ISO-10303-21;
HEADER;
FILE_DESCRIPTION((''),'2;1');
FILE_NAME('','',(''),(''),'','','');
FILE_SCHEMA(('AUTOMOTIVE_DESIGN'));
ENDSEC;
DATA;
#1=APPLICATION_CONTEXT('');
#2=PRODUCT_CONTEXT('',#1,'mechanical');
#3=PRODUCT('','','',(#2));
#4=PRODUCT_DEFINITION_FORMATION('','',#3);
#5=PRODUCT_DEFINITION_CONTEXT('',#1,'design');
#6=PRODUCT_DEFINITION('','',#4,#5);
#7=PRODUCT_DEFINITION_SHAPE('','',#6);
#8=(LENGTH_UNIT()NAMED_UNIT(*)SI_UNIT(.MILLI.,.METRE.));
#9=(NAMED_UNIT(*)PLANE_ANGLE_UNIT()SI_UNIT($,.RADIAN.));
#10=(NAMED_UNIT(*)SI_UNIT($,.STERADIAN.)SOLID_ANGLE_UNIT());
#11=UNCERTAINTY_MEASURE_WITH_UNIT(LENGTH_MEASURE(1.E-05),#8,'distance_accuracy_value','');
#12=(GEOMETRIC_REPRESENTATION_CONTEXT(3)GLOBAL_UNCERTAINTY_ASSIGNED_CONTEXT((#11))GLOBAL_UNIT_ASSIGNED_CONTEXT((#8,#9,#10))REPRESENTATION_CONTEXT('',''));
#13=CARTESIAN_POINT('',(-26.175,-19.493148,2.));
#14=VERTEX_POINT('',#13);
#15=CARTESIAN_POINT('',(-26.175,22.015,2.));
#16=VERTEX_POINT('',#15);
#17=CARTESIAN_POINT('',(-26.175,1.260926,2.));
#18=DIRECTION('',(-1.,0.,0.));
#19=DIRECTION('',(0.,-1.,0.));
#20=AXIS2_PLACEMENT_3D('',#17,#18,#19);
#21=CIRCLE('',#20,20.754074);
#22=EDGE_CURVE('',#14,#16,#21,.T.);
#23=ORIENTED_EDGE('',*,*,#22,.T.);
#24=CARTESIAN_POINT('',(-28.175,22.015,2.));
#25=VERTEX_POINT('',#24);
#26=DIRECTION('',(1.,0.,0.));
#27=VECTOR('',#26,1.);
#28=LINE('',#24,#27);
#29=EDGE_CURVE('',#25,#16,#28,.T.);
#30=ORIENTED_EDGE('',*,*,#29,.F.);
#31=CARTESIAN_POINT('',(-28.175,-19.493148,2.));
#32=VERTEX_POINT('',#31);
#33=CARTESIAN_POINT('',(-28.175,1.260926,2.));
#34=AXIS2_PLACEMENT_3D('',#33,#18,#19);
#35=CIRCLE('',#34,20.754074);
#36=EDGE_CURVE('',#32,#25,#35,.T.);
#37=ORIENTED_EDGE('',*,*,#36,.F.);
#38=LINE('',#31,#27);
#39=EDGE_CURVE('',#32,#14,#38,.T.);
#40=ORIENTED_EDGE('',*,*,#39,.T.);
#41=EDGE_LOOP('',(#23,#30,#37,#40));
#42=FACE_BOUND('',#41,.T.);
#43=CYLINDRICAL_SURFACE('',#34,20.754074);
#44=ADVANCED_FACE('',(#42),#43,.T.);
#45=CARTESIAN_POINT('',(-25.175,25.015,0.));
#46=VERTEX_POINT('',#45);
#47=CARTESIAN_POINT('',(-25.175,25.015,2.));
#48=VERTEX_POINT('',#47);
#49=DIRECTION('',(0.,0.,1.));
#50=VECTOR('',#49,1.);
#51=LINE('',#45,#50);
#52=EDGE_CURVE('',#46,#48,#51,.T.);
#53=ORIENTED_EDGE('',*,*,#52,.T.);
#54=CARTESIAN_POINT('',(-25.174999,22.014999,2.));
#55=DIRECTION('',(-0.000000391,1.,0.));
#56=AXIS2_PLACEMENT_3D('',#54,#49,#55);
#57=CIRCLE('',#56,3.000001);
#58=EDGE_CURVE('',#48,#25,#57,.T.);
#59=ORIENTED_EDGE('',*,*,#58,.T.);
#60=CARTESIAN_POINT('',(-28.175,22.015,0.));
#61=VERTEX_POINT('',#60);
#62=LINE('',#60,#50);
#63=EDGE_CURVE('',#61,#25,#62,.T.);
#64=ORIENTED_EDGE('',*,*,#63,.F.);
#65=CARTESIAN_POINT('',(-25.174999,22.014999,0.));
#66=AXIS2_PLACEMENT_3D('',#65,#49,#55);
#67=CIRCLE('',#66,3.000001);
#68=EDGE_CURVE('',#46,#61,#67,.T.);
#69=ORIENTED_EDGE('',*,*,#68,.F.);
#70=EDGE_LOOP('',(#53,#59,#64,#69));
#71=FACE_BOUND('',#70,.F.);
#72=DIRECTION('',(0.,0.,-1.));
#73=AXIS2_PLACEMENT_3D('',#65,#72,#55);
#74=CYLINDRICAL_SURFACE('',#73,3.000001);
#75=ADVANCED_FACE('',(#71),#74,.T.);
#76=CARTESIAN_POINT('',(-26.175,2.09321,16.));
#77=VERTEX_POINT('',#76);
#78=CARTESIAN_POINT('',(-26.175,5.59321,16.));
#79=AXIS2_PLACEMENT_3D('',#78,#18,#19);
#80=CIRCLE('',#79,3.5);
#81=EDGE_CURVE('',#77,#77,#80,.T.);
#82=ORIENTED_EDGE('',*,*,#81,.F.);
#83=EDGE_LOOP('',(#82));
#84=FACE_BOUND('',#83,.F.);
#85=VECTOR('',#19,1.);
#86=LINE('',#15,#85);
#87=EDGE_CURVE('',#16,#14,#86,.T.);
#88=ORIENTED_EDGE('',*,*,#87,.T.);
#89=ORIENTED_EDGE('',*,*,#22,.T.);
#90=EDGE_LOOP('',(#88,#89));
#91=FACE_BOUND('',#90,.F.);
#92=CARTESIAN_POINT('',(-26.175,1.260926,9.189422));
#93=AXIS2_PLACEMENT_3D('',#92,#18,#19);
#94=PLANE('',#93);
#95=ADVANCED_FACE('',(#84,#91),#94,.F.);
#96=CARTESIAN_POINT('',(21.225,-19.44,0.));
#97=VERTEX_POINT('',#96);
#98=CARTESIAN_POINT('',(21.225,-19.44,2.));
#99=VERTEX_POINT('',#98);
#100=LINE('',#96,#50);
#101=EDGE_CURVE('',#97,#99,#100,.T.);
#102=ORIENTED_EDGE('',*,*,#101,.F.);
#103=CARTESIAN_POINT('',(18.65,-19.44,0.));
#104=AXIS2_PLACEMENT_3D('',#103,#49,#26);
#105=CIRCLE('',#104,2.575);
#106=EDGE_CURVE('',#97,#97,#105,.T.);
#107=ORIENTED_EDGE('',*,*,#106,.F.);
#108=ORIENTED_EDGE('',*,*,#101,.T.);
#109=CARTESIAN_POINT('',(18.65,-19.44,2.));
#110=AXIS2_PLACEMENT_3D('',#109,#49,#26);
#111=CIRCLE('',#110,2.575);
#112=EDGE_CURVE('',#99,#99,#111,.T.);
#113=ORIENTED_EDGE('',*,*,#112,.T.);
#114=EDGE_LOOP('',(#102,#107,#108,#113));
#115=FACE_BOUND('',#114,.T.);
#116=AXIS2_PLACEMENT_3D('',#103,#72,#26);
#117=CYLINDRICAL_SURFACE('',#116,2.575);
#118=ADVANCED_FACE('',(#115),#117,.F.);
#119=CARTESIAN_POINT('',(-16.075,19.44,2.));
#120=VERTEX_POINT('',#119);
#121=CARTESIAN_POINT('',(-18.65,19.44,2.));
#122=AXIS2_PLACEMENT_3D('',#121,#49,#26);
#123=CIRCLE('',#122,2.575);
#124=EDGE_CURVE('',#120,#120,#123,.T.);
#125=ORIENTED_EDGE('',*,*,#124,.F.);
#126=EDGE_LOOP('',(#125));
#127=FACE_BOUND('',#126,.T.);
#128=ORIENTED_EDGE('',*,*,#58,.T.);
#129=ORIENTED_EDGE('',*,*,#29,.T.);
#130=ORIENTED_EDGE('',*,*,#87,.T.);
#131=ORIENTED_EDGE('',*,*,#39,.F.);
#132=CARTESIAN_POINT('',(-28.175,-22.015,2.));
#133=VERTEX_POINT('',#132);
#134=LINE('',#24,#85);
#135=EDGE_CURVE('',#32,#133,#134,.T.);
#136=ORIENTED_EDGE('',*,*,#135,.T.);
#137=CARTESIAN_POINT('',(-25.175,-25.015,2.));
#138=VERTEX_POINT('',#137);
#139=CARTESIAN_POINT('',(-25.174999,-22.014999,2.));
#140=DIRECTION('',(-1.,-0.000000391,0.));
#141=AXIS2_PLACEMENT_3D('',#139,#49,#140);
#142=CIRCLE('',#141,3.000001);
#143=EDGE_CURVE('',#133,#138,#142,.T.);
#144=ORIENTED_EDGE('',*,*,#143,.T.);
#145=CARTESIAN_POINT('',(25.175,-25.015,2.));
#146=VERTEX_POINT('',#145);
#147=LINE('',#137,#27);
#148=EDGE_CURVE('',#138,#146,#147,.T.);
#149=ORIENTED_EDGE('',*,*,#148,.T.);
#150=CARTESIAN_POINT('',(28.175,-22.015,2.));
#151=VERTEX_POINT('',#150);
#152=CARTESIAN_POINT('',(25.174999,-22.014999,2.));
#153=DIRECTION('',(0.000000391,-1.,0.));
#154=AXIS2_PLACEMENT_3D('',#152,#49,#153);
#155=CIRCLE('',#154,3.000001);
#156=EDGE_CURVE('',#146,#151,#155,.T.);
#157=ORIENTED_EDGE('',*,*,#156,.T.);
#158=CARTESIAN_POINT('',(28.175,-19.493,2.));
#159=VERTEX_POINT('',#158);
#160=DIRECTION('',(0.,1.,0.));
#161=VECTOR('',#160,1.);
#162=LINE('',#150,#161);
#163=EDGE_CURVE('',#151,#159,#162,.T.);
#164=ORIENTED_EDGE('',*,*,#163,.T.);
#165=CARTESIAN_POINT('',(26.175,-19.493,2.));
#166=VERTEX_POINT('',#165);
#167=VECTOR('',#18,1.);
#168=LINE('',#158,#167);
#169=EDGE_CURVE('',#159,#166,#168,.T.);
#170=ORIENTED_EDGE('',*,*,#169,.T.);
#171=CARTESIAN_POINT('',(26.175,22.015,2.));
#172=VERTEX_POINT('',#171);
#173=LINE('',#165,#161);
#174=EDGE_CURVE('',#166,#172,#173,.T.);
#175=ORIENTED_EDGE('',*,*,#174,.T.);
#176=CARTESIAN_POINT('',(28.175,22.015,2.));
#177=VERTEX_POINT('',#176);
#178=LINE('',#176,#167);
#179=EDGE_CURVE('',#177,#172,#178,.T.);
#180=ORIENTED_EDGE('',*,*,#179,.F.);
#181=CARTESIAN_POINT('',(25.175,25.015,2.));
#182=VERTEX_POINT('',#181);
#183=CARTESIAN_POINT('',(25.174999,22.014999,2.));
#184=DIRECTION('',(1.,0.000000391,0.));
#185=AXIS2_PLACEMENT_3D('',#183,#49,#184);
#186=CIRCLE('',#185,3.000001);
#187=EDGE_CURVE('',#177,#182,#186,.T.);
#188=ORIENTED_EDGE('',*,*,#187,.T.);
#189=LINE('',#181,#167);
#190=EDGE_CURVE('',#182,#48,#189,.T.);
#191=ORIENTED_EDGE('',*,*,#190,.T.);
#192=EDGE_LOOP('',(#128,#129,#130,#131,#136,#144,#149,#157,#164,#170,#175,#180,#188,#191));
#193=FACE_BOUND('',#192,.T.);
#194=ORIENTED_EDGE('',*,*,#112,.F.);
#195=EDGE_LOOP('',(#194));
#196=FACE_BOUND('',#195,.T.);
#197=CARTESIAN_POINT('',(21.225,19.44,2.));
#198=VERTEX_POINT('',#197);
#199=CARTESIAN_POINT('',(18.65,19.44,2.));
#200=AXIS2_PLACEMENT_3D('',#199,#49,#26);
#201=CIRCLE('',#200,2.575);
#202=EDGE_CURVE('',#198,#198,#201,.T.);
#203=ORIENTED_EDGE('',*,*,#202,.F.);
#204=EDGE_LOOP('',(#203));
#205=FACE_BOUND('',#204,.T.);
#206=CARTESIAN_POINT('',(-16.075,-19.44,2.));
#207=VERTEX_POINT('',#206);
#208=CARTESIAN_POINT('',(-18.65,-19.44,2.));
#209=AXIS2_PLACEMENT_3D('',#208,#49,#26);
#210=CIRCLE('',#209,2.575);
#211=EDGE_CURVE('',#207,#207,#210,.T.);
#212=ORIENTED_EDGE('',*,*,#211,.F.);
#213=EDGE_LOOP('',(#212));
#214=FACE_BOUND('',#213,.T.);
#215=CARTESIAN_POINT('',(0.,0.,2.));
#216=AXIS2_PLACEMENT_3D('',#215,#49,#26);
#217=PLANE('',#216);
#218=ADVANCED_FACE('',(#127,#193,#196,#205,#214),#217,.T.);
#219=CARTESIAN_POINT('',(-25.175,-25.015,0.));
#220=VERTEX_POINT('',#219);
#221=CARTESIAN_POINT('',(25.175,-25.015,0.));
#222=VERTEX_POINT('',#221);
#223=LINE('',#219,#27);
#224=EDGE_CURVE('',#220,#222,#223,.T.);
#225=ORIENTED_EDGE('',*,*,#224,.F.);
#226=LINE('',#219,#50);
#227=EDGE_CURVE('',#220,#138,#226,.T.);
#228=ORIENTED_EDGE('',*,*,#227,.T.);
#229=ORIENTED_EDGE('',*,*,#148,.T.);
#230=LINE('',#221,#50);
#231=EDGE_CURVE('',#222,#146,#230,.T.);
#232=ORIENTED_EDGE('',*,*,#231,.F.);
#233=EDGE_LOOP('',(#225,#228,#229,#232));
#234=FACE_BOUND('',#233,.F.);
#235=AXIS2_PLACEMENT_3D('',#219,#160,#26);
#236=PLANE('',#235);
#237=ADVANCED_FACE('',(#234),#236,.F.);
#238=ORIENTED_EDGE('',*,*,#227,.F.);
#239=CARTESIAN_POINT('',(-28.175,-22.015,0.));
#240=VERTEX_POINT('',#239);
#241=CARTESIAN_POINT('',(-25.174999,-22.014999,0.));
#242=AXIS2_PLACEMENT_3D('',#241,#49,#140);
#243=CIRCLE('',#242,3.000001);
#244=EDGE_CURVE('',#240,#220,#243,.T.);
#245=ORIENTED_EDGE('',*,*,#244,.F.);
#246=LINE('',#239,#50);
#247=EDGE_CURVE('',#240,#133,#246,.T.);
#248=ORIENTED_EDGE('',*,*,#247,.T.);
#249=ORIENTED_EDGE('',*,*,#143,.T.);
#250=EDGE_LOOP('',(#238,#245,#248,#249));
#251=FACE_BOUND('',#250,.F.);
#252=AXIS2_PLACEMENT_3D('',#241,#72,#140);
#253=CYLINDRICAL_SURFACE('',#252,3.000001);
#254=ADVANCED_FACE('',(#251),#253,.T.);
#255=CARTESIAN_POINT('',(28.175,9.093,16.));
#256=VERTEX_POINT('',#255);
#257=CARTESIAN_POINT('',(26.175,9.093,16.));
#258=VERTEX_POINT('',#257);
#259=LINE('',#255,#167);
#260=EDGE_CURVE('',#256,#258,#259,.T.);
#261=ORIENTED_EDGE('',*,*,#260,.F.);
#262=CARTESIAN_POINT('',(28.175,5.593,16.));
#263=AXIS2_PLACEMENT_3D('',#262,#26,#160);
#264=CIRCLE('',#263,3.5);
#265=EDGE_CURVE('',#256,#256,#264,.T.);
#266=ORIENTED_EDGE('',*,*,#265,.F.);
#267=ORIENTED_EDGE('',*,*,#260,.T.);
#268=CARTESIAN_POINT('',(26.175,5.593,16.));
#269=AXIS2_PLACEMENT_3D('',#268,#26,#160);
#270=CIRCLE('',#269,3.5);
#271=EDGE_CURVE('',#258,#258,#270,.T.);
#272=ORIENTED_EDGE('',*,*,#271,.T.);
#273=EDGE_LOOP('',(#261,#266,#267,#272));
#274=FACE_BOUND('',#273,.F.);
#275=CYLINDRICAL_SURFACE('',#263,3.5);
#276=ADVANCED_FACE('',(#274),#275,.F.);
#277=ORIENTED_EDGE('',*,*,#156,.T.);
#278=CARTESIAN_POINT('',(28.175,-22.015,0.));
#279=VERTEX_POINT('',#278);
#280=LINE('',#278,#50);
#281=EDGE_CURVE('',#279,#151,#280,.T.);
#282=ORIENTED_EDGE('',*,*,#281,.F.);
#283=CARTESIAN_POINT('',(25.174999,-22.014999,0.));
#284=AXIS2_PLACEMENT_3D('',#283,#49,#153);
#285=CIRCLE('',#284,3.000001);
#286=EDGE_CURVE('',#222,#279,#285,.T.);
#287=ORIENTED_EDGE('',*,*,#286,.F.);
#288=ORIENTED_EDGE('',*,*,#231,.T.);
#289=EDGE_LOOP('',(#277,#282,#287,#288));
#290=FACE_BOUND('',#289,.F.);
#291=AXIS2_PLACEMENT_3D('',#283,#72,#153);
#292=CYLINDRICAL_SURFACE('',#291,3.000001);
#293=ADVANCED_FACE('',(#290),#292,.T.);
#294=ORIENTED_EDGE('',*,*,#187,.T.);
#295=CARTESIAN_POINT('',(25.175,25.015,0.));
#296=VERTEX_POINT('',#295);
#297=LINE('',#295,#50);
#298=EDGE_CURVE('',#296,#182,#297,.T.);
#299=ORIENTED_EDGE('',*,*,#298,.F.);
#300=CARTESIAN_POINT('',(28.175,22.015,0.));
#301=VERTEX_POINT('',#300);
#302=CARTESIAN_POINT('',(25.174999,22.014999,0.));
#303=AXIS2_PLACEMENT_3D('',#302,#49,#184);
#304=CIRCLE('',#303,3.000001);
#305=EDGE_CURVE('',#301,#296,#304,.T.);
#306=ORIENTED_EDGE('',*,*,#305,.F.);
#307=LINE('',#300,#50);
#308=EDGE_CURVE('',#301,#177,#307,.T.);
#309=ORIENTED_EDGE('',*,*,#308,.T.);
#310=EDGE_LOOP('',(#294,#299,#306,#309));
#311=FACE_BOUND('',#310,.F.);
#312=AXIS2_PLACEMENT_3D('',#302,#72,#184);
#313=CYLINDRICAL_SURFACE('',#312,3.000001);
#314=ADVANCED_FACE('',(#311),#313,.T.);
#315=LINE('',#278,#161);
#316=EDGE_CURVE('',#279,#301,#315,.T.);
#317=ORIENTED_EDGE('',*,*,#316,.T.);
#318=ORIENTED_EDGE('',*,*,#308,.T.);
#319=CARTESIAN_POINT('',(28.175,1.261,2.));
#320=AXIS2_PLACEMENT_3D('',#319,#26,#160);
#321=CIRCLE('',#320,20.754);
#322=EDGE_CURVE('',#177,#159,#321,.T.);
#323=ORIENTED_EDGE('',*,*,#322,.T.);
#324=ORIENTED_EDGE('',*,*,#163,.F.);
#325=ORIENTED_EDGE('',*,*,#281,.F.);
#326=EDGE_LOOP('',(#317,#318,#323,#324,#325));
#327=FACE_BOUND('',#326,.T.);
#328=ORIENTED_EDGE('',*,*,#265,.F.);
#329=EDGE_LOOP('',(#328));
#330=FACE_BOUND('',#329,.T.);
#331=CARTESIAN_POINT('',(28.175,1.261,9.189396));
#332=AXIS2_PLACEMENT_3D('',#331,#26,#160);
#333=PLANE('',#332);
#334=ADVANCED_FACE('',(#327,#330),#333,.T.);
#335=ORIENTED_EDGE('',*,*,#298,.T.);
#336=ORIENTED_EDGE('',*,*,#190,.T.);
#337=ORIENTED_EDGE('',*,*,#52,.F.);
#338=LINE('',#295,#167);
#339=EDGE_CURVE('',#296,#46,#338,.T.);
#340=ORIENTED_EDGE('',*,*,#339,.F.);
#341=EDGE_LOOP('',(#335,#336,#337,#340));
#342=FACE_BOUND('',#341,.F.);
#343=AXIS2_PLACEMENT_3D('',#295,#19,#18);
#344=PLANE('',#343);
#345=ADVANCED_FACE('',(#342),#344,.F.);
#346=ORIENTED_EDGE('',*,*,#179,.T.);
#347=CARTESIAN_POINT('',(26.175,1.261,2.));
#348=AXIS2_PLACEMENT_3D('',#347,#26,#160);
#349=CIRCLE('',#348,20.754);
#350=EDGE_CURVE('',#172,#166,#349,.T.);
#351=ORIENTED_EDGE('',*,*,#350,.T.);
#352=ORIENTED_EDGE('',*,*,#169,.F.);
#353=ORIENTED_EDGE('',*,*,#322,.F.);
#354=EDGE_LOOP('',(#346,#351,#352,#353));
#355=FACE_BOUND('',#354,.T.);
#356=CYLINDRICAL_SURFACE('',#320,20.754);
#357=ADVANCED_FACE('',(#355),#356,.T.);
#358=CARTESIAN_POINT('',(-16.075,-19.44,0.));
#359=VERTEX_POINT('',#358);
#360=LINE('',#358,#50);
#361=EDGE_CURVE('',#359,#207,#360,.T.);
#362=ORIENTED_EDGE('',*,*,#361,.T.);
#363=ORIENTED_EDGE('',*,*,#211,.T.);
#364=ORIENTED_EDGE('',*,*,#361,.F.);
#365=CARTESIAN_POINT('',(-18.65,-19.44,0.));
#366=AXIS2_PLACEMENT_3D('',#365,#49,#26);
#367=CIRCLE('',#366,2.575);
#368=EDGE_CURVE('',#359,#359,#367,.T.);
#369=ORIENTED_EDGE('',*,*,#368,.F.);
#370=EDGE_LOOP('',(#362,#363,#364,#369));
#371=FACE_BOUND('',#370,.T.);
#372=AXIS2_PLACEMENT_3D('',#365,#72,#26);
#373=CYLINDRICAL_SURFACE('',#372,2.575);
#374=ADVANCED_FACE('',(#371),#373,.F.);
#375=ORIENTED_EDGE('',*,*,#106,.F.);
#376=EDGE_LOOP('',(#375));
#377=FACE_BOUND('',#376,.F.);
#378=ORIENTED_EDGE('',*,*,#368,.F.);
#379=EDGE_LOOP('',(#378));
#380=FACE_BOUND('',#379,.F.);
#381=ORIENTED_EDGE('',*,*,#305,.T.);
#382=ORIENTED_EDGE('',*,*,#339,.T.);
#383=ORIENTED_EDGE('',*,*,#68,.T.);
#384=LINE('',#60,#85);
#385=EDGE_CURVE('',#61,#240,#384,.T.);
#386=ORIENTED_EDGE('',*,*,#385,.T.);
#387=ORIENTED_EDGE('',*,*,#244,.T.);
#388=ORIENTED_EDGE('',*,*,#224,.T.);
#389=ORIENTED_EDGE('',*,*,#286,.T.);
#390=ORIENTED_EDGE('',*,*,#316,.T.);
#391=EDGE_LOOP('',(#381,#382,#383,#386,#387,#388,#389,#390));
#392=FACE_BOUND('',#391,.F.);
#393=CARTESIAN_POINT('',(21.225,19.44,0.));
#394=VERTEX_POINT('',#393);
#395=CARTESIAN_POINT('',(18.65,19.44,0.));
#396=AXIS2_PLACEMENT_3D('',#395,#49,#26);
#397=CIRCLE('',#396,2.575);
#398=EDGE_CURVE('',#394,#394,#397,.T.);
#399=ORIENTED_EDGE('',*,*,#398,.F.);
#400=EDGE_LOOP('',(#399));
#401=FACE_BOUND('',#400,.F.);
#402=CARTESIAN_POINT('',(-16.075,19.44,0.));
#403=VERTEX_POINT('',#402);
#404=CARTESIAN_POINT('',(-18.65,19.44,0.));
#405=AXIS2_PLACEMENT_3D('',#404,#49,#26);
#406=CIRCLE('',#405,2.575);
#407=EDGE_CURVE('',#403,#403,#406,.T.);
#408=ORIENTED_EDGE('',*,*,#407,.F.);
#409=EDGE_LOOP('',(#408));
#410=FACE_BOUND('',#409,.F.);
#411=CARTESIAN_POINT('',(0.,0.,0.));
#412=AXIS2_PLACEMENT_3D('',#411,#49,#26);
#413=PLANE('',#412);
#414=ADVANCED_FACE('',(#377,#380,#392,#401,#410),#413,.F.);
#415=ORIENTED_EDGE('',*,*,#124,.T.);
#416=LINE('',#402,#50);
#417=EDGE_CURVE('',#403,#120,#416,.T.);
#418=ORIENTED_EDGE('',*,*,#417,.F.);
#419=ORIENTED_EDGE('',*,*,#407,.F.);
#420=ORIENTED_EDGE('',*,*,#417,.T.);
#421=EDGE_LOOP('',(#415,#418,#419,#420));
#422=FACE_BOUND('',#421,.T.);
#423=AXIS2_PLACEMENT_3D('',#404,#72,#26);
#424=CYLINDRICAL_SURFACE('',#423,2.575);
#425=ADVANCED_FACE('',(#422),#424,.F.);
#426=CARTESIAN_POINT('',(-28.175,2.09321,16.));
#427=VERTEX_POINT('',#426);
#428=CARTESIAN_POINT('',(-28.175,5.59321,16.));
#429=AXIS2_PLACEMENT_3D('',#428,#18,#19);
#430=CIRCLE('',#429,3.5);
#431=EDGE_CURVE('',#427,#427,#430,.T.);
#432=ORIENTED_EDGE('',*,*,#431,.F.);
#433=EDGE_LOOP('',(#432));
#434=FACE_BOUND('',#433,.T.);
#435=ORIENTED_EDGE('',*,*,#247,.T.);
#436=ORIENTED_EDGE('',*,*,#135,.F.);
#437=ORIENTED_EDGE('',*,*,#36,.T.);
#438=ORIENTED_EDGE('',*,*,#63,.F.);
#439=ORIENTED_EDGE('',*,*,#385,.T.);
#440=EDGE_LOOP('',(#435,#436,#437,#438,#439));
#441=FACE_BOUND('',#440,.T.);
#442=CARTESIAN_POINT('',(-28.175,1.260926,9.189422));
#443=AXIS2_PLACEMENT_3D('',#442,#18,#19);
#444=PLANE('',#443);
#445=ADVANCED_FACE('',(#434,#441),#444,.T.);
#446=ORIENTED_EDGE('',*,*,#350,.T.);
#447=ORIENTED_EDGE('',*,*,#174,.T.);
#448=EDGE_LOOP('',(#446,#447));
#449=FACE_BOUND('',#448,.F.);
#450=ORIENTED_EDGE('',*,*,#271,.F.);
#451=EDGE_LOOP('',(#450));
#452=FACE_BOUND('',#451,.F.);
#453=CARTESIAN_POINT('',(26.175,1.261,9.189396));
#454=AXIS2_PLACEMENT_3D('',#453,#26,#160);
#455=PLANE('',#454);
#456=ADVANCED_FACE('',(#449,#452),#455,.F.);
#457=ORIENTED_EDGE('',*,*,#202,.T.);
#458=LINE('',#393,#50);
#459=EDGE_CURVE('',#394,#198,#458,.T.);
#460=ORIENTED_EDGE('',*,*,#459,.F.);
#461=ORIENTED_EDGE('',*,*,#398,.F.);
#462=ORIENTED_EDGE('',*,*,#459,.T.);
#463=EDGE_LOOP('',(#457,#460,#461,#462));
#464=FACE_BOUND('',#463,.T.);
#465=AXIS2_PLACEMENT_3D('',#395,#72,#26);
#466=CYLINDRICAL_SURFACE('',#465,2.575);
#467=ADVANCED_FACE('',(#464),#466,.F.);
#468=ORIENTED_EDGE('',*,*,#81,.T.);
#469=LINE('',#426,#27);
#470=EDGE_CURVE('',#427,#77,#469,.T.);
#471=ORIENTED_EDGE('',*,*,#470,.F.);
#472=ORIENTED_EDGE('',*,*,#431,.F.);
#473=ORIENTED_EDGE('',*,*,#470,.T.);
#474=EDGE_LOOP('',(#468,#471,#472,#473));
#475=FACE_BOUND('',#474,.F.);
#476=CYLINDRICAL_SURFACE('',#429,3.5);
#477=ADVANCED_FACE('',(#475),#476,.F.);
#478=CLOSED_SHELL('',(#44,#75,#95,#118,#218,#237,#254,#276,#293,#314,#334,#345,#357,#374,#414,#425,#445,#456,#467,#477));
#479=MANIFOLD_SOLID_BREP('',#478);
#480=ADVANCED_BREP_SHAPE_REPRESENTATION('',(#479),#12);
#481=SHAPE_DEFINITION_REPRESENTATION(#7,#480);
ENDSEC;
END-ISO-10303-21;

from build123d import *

# Parameters (mm, degrees)
F0_R     = 2.575
F1_DEPTH = 2
F2_R     = 3.5
F3_DEPTH = 2
F4_R     = 3.5
F5_DEPTH = 2


with BuildPart() as f1:
    # F0 (on Top) → F1 (new body)
    with BuildSketch(Plane.XY):
        with BuildLine():
            Line((25.175, 25.015), (18.107727, 25.015))
            Line((18.107727, 25.015), (0, 25.015))
            Line((0, 25.015), (-18.107727, 25.015))
            Line((-18.107727, 25.015), (-25.175, 25.015))
            ThreePointArc((-25.175, 25.015), (-27.29632, 24.13632), (-28.175, 22.015))
            Line((-28.175, 22.015), (-28.175, 18.29321))
            Line((-28.175, 18.29321), (-28.175, -18.29321))
            Line((-28.175, -18.29321), (-28.175, -22.015))
            ThreePointArc((-28.175, -22.015), (-27.29632, -24.13632), (-25.175, -25.015))
            Line((-25.175, -25.015), (-18.107727, -25.015))
            Line((-18.107727, -25.015), (0, -25.015))
            Line((0, -25.015), (18.107727, -25.015))
            Line((18.107727, -25.015), (25.175, -25.015))
            ThreePointArc((25.175, -25.015), (27.29632, -24.13632), (28.175, -22.015))
            Line((28.175, -22.015), (28.175, -18.29321))
            Line((28.175, -18.29321), (28.175, 18.29321))
            Line((28.175, 18.29321), (28.175, 22.015))
            ThreePointArc((28.175, 22.015), (27.29632, 24.13632), (25.175, 25.015))
        make_face()
        with Locations((-18.65, -19.44)):
            Circle(F0_R, mode=Mode.SUBTRACT)
        with Locations((18.65, -19.44)):
            Circle(F0_R, mode=Mode.SUBTRACT)
        with Locations((-18.65, 19.44)):
            Circle(F0_R, mode=Mode.SUBTRACT)
        with Locations((18.65, 19.44)):
            Circle(F0_R, mode=Mode.SUBTRACT)
    extrude(amount=F1_DEPTH)

    # F2 (on face) → F3 (join)
    with BuildSketch(Plane(origin=(-28.175, 0, 0), x_dir=(0, -1, 0), z_dir=(-1, 0, 0))):
        with BuildLine():
            Line((-22.015, 2), (19.493148, 2))
            ThreePointArc((19.493148, 2), (-1.260926, 22.754074), (-22.015, 2))
        make_face()
        with Locations((-5.59321, 16)):
            Circle(F2_R, mode=Mode.SUBTRACT)
    extrude(amount=-F3_DEPTH)

    # F4 (on face) → F5 (join)
    with BuildSketch(Plane.YZ.offset(28.175)):
        with BuildLine():
            Line((-19.493, 2), (22.015, 2))
            ThreePointArc((22.015, 2), (1.261, 22.754), (-19.493, 2))
        make_face()
        with Locations((5.593, 16)):
            Circle(F4_R, mode=Mode.SUBTRACT)
    extrude(amount=-F5_DEPTH)


solid = f1.part
